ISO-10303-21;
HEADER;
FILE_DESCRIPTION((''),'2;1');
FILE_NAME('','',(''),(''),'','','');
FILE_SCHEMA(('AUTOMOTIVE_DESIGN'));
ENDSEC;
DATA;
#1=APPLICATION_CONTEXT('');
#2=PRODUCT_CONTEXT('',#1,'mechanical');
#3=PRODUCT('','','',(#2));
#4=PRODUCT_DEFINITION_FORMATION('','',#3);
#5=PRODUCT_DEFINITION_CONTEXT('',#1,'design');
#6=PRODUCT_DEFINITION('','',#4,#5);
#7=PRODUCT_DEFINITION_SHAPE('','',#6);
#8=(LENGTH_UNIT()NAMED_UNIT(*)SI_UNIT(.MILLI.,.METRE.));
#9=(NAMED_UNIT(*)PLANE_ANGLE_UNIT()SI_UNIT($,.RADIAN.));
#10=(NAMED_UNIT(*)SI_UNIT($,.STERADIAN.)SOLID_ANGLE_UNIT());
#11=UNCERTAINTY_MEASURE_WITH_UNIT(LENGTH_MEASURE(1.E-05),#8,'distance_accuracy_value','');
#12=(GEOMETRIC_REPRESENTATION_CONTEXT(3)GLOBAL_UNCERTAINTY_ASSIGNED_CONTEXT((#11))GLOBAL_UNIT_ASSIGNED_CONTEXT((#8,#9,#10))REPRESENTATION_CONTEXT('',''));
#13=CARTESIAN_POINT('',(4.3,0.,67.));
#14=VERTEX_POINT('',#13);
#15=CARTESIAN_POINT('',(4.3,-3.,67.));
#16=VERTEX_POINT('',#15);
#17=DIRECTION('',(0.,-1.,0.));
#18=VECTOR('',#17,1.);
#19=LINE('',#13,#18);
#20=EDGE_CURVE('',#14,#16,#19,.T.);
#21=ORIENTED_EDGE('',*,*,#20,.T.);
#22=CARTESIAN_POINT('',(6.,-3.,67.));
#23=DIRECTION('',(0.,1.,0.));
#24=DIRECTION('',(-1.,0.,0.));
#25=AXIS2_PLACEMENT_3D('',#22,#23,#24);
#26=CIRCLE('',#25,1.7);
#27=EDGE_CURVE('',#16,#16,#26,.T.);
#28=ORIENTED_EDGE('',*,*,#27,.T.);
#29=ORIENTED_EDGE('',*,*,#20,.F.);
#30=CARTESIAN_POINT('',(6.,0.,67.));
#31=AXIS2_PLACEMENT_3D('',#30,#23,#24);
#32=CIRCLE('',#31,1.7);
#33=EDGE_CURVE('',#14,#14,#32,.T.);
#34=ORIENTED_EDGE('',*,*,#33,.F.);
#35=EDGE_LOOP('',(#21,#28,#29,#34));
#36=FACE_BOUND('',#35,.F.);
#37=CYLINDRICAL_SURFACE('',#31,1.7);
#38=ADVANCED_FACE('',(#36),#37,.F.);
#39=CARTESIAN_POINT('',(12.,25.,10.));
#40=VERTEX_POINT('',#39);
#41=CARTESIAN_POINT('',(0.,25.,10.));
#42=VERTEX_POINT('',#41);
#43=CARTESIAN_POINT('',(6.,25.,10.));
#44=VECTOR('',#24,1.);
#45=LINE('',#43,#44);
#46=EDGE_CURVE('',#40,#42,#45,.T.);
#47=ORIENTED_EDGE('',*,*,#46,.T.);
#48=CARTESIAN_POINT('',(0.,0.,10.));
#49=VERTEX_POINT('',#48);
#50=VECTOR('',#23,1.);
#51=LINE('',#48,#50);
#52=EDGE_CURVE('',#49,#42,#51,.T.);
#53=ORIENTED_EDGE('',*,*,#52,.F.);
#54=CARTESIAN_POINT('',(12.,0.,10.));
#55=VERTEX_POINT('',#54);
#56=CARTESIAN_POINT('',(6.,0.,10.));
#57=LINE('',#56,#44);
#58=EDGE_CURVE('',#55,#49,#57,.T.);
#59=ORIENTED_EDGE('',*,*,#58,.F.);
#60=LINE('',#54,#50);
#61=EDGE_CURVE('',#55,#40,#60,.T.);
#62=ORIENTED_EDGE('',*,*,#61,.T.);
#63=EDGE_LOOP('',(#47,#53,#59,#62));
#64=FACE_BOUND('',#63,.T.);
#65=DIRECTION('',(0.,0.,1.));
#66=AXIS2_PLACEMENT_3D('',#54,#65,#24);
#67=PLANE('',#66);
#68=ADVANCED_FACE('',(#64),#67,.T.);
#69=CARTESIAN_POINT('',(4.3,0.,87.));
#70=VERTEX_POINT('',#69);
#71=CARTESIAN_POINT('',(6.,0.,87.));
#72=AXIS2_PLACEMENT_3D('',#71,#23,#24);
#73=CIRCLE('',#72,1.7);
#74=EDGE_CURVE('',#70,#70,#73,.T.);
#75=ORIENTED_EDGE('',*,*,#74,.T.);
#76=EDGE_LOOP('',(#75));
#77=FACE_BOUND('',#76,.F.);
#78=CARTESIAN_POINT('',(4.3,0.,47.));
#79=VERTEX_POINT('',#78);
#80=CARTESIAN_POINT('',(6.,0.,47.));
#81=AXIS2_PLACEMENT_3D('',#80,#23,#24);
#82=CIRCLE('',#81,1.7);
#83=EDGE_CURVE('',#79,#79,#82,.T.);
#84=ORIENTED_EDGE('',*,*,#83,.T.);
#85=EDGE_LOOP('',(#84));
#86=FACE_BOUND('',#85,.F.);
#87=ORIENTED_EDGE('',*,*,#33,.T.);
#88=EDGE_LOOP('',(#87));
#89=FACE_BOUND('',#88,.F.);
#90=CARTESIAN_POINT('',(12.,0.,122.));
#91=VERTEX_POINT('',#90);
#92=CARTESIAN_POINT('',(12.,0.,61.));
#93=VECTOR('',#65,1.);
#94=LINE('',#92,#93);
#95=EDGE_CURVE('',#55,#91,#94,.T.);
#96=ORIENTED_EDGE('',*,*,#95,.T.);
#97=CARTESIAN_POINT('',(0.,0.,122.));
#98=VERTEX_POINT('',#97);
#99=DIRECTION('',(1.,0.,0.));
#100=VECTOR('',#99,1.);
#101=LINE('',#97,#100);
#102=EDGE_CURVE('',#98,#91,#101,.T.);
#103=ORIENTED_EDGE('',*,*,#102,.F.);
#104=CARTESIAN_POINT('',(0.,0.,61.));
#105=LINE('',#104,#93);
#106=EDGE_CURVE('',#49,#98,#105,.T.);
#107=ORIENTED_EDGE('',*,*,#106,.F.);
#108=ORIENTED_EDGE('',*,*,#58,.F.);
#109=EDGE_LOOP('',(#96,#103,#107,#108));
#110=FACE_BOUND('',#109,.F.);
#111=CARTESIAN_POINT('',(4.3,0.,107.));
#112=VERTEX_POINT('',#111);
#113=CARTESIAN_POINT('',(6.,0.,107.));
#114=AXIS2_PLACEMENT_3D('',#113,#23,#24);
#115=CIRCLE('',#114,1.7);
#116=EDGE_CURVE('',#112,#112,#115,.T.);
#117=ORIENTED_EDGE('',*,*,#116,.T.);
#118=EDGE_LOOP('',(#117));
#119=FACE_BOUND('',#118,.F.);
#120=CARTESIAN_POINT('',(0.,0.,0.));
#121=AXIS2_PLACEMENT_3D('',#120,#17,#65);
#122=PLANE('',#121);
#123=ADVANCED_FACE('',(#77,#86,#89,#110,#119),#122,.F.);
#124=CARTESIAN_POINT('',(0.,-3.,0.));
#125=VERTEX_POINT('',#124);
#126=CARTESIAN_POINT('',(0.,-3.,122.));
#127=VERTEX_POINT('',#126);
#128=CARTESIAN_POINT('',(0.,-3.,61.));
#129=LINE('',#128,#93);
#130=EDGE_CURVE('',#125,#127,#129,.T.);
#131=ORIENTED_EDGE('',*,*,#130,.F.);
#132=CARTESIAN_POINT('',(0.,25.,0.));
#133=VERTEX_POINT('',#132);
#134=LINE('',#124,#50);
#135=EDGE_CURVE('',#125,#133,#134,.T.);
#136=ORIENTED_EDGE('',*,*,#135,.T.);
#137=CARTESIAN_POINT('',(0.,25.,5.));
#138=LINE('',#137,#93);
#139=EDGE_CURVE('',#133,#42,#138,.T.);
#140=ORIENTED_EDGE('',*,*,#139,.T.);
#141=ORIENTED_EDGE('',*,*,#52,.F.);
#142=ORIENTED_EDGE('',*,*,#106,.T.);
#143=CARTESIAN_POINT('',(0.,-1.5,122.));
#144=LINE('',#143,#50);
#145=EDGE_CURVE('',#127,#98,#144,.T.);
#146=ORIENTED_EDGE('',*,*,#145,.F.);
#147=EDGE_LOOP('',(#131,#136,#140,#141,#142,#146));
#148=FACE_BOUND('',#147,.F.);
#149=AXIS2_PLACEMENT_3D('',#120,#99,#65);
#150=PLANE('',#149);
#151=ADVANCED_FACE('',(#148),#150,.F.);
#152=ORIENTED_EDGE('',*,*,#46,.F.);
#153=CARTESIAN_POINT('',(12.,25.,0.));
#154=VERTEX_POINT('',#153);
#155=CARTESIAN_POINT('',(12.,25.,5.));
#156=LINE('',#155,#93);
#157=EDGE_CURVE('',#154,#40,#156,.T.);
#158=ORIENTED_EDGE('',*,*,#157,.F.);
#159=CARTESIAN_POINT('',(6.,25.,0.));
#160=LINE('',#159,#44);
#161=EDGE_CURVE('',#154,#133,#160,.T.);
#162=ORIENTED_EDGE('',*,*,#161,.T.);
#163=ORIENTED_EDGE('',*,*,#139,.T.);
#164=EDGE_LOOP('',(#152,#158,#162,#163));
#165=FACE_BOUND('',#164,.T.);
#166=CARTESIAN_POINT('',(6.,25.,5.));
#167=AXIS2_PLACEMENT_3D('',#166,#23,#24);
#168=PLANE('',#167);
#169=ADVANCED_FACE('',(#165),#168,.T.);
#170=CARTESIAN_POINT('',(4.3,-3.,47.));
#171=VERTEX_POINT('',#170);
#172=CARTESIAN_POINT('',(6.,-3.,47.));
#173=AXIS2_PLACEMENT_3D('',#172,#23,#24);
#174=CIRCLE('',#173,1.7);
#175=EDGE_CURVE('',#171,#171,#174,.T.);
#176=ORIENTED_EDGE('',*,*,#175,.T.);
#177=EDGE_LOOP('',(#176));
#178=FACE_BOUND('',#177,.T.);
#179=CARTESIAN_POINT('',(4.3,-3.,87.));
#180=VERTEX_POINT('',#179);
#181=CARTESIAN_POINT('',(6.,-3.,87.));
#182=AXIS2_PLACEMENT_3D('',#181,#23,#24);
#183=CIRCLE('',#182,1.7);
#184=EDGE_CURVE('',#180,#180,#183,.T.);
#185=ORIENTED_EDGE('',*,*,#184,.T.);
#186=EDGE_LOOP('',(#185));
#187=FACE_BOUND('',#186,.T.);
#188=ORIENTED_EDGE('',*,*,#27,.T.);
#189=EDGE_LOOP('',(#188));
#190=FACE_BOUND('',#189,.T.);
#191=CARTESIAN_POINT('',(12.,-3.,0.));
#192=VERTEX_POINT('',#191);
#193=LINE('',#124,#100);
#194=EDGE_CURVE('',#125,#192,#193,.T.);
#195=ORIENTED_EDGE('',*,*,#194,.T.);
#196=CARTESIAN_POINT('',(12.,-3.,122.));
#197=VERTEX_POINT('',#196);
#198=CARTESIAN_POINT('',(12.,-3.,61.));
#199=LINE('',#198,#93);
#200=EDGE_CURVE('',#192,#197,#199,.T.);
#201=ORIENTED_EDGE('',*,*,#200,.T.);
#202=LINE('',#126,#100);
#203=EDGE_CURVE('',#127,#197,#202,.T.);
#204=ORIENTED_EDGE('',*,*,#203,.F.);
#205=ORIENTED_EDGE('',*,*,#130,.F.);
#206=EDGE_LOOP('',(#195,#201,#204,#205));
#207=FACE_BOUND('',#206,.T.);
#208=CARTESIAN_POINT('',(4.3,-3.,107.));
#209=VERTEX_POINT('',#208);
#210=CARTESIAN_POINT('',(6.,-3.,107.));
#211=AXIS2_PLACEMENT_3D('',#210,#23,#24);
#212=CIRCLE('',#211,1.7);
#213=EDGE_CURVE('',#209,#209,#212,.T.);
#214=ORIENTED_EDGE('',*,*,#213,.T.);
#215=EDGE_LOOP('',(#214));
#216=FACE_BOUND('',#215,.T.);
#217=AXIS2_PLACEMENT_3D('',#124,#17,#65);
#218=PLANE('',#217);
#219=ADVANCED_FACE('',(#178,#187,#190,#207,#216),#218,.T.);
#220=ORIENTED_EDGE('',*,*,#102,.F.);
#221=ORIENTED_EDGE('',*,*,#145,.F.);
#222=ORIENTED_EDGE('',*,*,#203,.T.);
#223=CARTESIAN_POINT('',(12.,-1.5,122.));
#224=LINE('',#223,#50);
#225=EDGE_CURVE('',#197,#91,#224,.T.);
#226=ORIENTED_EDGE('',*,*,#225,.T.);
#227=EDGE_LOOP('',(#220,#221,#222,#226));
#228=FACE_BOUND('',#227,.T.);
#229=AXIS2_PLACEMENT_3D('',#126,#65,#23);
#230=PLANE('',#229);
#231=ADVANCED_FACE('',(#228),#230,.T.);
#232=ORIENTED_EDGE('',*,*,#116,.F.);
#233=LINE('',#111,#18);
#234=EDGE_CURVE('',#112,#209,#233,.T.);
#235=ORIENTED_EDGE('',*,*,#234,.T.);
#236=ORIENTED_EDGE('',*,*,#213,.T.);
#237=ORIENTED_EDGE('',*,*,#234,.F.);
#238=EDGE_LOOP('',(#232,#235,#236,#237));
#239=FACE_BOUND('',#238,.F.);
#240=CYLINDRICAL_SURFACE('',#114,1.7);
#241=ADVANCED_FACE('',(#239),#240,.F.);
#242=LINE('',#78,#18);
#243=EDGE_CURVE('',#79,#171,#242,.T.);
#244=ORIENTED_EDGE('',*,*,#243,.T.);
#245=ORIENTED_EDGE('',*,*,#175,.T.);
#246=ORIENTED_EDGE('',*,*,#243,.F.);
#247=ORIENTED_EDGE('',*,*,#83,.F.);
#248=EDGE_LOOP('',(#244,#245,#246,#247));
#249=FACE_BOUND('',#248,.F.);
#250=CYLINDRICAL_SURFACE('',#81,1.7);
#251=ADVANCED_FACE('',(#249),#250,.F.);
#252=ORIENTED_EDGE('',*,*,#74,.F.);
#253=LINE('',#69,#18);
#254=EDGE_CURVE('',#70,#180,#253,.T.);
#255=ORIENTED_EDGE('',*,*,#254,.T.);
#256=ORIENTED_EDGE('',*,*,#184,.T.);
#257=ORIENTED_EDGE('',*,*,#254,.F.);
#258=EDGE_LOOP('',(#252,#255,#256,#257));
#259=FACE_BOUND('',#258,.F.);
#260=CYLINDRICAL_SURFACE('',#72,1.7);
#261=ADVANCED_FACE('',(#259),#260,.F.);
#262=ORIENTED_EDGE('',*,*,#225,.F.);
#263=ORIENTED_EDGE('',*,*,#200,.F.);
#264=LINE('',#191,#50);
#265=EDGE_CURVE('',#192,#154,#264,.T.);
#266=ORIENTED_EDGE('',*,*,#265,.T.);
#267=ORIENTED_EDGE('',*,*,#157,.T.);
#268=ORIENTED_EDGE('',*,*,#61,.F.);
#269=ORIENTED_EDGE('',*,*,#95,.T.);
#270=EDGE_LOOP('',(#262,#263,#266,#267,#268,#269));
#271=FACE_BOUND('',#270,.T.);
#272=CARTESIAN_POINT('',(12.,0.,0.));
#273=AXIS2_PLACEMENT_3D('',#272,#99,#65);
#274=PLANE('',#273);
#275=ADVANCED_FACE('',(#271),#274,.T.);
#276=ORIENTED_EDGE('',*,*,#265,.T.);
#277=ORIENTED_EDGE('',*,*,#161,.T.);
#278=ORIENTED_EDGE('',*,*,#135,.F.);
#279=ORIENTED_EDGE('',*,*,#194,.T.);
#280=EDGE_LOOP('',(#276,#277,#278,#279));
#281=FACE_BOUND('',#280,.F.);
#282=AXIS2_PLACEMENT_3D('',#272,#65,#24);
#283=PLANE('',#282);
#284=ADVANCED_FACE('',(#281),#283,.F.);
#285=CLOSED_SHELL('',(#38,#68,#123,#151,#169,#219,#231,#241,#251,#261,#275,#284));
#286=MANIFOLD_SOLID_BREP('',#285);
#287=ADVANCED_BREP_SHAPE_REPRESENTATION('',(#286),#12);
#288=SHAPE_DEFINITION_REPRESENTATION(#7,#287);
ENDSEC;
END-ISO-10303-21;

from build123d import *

# Parameters (mm, degrees)
F0_W     = 3
F0_H     = 122
F1_DEPTH = 12
F2_W     = 12
F2_H     = 10
F3_DEPTH = 25
F4_R     = 1.7
F5_DEPTH = 3.001


with BuildPart() as f1:
    # F0 (on Right) → F1 (new body)
    with BuildSketch(Plane.YZ):
        with Locations((-1.5, 61)):
            Rectangle(F0_W, F0_H)
    extrude(amount=F1_DEPTH)

    # F2 (on face) → F3 (join)
    with BuildSketch(Plane(origin=(0, 0, 0), x_dir=(-1, 0, 0), z_dir=(0, 1, 0))):
        with Locations((-6, 5)):
            Rectangle(F2_W, F2_H)
    extrude(amount=F3_DEPTH)

    # F4 (on face) → F5 (cut, through all)
    with BuildSketch(Plane(origin=(0, 0, 0), x_dir=(-1, 0, 0), z_dir=(0, 1, 0))):
        with Locations((-6, 107)):
            Circle(F4_R)
        with Locations((-6, 87)):
            Circle(F4_R)
        with Locations((-6, 67)):
            Circle(F4_R)
        with Locations((-6, 47)):
            Circle(F4_R)
    extrude(amount=-F5_DEPTH, mode=Mode.SUBTRACT)


solid = f1.part
